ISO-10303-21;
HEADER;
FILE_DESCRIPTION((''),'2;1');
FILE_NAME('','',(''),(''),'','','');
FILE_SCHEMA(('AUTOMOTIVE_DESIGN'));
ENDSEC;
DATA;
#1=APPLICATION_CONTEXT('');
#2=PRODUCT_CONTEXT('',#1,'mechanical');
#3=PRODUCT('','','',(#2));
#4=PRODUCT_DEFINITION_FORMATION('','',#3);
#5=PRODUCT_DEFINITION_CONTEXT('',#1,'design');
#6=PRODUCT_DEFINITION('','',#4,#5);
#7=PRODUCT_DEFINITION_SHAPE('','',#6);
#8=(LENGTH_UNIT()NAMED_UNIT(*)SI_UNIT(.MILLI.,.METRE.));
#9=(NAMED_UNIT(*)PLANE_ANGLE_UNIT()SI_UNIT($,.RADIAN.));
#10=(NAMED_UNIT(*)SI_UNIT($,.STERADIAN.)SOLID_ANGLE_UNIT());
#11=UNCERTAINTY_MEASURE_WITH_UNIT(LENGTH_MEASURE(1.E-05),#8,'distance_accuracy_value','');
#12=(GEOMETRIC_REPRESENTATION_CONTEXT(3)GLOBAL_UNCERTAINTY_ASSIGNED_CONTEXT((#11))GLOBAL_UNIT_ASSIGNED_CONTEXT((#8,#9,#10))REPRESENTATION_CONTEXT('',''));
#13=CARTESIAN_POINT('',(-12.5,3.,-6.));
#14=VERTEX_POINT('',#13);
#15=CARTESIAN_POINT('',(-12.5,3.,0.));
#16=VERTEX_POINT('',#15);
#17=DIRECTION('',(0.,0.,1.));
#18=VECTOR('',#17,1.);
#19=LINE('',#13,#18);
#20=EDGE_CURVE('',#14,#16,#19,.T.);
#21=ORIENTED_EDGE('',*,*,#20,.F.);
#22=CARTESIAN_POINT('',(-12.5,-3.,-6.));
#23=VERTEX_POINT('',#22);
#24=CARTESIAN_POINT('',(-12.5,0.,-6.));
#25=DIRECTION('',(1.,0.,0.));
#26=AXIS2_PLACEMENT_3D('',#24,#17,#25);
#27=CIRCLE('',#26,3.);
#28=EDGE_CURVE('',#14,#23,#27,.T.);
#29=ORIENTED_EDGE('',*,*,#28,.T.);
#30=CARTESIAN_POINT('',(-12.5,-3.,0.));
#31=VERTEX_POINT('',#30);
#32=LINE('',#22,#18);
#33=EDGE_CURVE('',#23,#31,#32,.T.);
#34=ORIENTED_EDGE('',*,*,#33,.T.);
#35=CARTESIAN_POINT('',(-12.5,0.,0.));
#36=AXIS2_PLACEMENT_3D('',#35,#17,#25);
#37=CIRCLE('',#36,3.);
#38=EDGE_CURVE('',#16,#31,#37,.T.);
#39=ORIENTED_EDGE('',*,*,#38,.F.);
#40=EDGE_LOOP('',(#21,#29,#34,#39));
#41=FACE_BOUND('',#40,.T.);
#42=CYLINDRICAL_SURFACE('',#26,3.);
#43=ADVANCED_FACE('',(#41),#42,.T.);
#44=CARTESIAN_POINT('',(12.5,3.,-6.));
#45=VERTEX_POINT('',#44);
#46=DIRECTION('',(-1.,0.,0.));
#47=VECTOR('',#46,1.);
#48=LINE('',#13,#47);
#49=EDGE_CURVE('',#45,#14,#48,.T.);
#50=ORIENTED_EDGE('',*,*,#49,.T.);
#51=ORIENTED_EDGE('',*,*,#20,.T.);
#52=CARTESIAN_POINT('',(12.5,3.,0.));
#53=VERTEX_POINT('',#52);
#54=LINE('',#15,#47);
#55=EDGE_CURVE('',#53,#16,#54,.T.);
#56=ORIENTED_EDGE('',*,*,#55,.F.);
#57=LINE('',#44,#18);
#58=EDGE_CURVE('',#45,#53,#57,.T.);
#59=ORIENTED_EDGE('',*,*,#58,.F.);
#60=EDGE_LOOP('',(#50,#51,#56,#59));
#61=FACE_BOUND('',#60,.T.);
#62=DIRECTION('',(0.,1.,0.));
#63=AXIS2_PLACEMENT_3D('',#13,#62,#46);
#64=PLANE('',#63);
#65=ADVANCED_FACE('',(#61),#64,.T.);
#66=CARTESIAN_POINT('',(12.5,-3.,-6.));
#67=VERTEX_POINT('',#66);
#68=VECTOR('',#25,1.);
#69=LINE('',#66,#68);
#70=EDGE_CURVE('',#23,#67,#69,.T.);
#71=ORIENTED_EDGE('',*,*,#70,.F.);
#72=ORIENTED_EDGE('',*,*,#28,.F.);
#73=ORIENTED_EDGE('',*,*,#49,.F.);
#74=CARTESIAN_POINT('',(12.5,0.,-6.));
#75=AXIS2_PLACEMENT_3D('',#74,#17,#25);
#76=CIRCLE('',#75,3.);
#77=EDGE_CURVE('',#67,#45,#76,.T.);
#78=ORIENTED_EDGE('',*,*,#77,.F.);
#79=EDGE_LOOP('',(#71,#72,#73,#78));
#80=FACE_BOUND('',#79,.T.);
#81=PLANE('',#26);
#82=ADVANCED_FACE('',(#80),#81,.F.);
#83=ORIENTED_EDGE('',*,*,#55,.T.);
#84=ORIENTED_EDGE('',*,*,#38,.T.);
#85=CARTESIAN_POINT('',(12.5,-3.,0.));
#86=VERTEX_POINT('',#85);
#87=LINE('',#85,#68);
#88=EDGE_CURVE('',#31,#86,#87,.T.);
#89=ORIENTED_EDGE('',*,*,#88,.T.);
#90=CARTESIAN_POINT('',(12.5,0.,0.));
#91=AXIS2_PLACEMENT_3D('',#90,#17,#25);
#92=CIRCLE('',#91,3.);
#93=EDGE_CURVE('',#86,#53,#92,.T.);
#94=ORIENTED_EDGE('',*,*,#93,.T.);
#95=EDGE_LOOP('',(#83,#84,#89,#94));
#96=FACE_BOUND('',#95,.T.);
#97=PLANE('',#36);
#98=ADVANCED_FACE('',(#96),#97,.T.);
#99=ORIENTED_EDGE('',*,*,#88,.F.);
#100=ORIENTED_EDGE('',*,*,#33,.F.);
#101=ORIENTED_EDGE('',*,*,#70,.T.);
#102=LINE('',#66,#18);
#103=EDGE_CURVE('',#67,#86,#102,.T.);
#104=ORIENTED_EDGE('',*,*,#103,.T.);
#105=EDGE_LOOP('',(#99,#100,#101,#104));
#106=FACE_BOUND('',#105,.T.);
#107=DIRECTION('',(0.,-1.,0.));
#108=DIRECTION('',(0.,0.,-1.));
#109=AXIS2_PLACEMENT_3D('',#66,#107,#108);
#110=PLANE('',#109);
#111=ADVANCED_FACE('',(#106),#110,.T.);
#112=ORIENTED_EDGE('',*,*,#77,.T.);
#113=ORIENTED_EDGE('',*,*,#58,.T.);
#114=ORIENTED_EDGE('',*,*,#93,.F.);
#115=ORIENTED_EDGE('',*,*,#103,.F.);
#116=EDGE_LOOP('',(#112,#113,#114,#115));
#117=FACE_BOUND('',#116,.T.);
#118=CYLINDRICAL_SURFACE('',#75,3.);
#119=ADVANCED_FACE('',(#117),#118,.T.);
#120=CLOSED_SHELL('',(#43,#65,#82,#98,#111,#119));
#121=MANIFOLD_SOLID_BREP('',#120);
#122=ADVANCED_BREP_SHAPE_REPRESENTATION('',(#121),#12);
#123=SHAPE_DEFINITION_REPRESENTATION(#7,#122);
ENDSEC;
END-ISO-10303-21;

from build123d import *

# Parameters (mm, degrees)
EXTRUDE_1_DEPTH = 6


with BuildPart() as part:
    # Эскиз1 → Бобышка-Вытянуть1 (new body)
    with BuildSketch(Plane.XY):
        with BuildLine():
            Line((-12.5, 3), (12.5, 3))
            ThreePointArc((12.5, 3), (15.5, 0), (12.5, -3))
            Line((12.5, -3), (-12.5, -3))
            ThreePointArc((-12.5, -3), (-15.5, 0), (-12.5, 3))
        make_face()
    extrude(amount=-EXTRUDE_1_DEPTH)


solid = part.part
